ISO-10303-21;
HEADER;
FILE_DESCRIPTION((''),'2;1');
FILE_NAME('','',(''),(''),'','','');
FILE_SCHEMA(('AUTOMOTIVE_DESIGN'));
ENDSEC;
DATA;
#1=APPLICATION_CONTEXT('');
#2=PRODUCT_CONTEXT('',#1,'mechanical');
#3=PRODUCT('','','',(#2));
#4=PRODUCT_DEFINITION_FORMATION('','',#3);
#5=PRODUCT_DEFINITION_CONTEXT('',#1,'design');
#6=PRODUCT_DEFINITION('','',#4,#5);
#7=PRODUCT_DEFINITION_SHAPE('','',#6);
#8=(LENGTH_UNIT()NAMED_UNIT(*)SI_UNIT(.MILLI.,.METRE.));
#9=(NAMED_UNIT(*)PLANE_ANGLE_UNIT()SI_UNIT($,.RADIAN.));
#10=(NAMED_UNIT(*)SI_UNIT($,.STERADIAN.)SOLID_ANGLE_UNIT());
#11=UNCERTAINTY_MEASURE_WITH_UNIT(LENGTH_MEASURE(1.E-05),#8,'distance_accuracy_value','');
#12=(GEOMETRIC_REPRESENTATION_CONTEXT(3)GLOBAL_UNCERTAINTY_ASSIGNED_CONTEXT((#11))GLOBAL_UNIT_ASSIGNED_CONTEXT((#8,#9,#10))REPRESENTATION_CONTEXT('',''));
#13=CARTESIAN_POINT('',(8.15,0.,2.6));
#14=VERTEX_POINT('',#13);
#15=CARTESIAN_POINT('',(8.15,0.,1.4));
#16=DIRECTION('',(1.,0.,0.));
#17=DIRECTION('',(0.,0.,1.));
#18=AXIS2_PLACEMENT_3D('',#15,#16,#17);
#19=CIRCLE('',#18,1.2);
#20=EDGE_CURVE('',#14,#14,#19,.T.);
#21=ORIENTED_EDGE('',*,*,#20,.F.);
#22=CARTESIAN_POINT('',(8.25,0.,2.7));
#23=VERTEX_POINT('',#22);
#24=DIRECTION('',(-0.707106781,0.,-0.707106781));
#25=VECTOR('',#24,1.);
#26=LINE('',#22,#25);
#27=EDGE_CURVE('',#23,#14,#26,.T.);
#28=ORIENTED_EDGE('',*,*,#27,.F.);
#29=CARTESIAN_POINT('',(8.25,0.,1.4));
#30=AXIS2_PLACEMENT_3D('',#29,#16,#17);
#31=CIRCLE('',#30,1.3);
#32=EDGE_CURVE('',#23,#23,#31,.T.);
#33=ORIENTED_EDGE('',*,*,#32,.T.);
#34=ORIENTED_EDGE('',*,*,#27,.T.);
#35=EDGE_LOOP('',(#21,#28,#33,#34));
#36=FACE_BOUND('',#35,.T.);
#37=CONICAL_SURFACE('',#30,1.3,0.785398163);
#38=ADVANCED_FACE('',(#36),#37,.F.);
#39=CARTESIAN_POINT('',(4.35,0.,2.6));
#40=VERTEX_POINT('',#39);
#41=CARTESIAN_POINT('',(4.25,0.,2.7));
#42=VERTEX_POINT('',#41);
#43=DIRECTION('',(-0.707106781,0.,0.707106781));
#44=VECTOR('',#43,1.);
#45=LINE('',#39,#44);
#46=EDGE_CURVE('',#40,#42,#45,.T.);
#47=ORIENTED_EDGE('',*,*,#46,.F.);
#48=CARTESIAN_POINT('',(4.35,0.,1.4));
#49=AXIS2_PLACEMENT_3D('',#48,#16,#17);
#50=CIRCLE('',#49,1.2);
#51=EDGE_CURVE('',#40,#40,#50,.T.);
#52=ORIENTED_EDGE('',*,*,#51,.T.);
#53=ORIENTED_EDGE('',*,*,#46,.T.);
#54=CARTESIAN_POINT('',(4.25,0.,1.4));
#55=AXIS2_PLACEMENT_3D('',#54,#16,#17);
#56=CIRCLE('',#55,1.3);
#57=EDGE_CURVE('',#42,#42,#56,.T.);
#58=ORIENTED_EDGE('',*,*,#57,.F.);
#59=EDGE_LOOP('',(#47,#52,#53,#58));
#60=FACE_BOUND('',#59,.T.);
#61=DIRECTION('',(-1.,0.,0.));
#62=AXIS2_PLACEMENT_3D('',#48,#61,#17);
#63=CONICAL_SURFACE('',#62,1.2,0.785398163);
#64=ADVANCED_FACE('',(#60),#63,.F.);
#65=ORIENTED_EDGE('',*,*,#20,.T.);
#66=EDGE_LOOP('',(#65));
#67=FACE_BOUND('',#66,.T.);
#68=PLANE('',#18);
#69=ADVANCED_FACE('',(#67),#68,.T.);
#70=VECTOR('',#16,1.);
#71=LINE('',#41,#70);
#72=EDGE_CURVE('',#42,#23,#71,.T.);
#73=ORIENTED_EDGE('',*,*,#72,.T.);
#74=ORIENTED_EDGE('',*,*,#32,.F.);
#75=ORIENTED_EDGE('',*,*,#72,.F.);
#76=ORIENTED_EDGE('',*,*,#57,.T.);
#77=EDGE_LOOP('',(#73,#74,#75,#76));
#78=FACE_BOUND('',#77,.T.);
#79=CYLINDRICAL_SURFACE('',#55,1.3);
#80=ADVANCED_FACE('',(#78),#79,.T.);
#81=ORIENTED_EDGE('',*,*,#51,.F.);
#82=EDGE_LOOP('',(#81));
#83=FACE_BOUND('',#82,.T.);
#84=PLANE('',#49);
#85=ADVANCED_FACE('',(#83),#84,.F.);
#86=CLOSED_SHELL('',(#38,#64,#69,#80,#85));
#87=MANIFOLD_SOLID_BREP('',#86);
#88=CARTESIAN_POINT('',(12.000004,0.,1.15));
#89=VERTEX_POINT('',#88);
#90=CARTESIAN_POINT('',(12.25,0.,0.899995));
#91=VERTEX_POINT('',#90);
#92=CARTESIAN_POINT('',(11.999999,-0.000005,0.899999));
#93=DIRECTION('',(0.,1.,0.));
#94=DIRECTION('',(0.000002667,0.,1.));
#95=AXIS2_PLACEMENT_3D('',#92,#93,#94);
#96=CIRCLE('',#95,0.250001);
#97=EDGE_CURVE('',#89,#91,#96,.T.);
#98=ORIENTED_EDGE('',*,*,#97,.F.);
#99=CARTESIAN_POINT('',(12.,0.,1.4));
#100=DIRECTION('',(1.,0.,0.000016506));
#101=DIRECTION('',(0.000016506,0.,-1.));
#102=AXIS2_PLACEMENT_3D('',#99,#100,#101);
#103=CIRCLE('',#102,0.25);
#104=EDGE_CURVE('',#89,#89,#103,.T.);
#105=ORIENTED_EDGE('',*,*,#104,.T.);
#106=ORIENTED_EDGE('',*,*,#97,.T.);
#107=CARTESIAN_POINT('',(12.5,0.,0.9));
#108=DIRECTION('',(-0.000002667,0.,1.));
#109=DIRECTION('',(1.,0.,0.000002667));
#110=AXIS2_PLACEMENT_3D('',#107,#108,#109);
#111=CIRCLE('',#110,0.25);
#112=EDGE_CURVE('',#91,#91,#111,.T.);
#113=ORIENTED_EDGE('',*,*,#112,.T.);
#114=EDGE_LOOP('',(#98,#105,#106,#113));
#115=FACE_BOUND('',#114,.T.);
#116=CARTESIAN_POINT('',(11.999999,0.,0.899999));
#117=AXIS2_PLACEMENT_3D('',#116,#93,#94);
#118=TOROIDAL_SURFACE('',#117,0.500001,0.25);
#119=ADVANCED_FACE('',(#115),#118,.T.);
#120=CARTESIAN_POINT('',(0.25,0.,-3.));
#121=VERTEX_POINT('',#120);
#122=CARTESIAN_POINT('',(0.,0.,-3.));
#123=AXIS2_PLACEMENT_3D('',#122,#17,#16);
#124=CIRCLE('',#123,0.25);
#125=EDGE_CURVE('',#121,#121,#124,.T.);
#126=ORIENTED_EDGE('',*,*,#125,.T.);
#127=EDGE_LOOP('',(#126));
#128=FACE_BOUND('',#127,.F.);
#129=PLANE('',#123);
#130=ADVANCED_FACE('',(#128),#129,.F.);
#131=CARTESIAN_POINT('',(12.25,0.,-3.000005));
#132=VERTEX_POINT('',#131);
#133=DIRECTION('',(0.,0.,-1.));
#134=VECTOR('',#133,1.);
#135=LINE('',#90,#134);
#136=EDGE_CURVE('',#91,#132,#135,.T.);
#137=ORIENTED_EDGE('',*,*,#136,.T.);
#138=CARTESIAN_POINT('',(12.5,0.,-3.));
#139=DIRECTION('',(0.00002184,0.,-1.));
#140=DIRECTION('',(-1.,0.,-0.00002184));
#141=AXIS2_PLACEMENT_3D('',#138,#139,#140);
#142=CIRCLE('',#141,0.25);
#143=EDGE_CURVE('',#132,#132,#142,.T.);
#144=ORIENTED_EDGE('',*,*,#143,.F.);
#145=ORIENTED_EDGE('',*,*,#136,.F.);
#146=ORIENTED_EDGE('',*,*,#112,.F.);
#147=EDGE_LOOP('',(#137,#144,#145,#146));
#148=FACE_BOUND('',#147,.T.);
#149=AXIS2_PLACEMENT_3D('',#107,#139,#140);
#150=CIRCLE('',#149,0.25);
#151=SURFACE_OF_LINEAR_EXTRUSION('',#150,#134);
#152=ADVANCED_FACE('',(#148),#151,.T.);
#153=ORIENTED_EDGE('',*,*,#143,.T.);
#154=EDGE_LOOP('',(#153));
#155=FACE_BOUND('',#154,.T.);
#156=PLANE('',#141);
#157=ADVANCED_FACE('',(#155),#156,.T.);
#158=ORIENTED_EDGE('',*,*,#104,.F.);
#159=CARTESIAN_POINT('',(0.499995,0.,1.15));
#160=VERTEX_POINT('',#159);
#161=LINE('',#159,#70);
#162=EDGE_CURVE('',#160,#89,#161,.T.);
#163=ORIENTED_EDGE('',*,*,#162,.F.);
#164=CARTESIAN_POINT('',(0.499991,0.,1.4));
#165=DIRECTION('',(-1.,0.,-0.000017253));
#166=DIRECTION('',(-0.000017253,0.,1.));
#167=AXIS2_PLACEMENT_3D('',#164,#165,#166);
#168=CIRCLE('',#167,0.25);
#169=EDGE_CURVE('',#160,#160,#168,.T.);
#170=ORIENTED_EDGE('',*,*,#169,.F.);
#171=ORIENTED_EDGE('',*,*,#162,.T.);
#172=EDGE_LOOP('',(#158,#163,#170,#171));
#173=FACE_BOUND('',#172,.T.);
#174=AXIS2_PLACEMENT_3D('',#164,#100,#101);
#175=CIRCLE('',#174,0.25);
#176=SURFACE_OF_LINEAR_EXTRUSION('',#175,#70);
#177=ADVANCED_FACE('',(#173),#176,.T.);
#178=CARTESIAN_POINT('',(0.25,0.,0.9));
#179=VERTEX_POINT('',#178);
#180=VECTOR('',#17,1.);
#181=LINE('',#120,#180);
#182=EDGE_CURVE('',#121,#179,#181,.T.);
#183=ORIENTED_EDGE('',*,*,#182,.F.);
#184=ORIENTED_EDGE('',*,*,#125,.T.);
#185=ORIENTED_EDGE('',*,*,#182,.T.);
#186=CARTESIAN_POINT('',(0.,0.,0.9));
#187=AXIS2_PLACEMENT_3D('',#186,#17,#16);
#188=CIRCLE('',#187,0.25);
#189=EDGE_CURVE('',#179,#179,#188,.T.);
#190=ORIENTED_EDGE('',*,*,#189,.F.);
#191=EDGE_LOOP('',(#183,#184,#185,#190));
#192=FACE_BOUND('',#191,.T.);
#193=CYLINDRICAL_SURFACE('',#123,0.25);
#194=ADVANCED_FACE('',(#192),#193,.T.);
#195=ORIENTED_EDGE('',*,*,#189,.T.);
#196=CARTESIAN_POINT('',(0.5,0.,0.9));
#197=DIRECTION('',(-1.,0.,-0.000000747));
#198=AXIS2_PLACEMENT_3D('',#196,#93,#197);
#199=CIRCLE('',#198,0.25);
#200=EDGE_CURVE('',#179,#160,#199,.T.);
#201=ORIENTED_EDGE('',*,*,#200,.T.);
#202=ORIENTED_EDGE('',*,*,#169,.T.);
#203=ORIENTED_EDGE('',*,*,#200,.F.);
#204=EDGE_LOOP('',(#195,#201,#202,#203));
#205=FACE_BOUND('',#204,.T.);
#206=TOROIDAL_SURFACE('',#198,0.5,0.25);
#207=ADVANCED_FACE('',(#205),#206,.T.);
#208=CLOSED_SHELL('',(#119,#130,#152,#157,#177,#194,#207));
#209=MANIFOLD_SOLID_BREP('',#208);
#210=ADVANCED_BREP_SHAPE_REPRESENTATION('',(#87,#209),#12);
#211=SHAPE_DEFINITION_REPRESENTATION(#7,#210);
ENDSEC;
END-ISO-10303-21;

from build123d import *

# Parameters (mm, degrees)
SKETCH_R = 0.25


with BuildPart() as sweep_body:
    # Sweep: sweep along a path in Sketch001
    with BuildLine(Plane.XZ) as sweep_path:
        Line((0, -3), (0, 0.9))
        ThreePointArc((0, 0.9), (0.146443, 1.25355), (0.499991, 1.4))
        Line((0.499991, 1.4), (12, 1.4))
        ThreePointArc((12, 1.4), (12.353553, 1.253553), (12.5, 0.9))
        Line((12.5, 0.9), (12.5, -3))
    # Sketch → Sweep (sweep)
    with BuildSketch(Plane.XY.offset(-2)):
        Circle(SKETCH_R)
    sweep(path=sweep_path.line)


with BuildPart() as revolution:
    # Sketch002 → Revolution (revolve)
    with BuildSketch(Plane.XZ):
        Polygon((4.25, 2.7), (8.25, 2.7), (8.15, 2.6), (8.15, 1.4), (4.35, 1.4), (4.35, 2.6), align=None)
    revolve(axis=Axis((7.611803, 0, 1.4), (1, 0, 0)))


solid = Compound([sweep_body.part, revolution.part])
